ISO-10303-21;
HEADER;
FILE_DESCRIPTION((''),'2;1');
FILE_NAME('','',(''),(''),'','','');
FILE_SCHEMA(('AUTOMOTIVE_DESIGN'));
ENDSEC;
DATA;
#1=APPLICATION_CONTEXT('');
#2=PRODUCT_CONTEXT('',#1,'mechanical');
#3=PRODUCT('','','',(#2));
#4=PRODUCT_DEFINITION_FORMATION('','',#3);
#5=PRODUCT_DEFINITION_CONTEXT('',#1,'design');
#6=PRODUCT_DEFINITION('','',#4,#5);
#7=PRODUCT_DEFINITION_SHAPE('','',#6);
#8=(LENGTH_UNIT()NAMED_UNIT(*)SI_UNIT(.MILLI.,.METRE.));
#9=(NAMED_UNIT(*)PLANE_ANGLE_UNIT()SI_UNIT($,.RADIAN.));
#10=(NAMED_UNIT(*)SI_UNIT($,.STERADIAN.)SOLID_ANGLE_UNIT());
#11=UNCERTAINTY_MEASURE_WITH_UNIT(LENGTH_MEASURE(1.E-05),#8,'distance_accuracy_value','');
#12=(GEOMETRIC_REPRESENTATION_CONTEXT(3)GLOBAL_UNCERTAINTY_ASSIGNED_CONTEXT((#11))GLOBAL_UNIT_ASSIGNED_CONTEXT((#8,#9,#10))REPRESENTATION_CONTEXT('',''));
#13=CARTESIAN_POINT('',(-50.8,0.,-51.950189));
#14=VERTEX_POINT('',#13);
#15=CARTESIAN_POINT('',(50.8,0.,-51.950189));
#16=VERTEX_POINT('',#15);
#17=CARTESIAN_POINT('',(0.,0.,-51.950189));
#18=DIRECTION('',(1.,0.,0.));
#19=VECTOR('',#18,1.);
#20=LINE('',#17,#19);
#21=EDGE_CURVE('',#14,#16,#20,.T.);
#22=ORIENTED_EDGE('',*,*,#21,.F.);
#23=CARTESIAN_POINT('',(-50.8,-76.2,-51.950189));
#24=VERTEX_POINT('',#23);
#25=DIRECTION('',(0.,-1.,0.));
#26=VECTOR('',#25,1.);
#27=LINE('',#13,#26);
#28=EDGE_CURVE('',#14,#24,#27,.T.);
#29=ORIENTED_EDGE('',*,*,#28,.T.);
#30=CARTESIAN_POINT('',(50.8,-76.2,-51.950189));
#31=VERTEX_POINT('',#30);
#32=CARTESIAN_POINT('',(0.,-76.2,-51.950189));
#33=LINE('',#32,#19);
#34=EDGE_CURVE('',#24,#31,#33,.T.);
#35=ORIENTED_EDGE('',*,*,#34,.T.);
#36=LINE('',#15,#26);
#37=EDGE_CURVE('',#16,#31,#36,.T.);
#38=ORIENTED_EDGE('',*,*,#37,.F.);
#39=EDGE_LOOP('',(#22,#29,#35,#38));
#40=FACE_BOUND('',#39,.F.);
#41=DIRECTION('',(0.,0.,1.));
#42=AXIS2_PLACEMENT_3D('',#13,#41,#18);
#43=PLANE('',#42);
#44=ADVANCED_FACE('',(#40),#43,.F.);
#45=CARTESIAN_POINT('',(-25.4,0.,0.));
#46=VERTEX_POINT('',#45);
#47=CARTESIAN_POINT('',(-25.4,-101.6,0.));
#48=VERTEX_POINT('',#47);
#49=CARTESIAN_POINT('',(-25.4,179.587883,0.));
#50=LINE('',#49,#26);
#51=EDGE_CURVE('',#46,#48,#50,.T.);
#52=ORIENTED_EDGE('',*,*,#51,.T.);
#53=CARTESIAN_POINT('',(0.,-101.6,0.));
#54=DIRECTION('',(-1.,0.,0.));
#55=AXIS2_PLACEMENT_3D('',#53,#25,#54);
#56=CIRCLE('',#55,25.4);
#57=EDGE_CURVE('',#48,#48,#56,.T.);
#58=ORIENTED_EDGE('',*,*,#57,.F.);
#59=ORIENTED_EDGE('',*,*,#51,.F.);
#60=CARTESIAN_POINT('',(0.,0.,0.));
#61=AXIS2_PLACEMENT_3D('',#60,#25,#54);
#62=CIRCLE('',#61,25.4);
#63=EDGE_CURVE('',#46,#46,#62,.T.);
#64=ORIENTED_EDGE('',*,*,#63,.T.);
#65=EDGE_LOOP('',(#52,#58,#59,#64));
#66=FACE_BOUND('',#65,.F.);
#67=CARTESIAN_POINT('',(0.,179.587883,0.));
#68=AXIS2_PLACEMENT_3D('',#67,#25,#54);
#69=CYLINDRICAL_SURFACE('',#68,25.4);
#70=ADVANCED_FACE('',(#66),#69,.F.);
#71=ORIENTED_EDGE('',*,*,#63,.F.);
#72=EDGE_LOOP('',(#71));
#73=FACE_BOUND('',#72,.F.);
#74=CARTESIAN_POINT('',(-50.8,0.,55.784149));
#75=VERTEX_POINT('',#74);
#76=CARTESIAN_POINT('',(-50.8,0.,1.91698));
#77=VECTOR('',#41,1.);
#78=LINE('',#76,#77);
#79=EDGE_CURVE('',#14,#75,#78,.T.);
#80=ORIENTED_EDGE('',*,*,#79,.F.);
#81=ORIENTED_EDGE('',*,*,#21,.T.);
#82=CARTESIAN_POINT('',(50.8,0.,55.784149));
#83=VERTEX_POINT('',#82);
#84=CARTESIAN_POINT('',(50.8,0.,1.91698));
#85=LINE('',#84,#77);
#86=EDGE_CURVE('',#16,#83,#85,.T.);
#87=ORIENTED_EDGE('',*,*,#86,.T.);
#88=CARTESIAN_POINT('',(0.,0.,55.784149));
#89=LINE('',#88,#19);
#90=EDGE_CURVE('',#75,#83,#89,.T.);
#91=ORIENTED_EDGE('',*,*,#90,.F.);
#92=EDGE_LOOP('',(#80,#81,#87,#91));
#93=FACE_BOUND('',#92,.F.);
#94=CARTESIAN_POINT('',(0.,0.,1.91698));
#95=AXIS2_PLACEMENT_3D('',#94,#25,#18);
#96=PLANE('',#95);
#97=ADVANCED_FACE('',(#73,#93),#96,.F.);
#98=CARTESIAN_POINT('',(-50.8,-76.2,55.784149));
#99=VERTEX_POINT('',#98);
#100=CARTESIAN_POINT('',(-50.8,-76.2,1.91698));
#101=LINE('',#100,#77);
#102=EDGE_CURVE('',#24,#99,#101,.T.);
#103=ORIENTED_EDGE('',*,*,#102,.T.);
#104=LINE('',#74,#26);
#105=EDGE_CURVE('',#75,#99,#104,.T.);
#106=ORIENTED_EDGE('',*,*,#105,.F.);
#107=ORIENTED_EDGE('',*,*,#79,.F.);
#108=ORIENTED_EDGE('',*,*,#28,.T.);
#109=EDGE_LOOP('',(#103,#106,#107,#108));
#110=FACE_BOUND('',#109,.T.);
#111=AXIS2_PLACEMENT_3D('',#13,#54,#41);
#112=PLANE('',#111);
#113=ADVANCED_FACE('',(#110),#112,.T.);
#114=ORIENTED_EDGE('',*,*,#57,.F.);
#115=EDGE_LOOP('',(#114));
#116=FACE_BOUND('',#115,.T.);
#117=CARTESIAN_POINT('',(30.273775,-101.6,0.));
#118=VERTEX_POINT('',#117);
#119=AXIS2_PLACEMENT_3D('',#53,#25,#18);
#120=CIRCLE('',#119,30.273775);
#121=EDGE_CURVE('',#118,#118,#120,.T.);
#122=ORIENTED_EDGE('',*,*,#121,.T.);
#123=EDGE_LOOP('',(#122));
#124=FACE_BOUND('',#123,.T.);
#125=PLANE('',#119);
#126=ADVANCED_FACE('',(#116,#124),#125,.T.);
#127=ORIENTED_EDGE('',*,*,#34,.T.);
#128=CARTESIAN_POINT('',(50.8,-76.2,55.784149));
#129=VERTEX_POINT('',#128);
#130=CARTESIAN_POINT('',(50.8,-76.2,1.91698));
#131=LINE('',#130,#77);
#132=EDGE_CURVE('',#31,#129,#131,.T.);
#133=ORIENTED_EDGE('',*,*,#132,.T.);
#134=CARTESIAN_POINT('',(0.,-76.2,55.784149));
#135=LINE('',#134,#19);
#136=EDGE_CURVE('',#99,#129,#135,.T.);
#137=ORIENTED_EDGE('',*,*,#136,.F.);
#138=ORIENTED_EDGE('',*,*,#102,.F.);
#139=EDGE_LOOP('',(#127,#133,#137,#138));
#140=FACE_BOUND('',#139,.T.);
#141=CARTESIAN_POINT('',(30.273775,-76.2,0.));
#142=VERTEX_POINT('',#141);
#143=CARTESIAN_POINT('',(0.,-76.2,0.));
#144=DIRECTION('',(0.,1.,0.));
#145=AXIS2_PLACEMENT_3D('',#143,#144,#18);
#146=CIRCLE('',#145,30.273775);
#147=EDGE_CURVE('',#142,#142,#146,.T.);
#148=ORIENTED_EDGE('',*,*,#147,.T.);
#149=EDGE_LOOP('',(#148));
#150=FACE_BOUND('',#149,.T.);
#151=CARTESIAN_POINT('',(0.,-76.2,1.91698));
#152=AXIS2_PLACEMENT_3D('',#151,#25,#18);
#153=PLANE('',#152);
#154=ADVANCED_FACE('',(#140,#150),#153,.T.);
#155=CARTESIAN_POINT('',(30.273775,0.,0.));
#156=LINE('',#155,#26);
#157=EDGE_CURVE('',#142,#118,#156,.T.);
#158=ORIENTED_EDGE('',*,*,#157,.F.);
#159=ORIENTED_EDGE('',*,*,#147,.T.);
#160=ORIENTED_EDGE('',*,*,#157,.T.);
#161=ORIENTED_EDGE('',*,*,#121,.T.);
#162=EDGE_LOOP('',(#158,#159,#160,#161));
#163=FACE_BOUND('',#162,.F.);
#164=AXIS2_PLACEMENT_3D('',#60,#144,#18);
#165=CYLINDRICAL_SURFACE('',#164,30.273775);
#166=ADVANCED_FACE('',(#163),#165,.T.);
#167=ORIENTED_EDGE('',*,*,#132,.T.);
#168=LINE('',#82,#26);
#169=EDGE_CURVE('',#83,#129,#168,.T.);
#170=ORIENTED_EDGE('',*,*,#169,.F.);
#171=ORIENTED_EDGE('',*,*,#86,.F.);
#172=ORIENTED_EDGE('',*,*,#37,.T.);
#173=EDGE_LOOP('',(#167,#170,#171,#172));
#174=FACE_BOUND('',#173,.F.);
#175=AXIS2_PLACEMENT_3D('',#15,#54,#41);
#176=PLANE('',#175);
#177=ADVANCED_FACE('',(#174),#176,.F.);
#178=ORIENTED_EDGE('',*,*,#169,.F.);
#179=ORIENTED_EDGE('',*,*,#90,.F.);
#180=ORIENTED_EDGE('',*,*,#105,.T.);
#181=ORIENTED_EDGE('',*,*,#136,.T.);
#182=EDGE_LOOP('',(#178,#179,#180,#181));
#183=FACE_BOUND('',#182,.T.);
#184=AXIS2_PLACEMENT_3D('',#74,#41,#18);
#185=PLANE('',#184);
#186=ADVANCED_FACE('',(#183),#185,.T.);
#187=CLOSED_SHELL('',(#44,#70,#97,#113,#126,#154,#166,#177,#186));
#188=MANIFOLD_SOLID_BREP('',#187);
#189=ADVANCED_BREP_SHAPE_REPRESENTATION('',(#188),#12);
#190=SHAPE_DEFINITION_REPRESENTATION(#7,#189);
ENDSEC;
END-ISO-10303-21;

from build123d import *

# Parameters (mm, degrees)
F0_W     = 101.6
F0_H     = 107.734338
F0_R     = 24.735745
F2_DEPTH = 76.2
F1_R     = 30.273775
F3_DEPTH = 101.6
F5_D     = 50.8


with BuildPart() as f2:
    # F0 (on Front) → F2 (new body)
    with BuildSketch(Plane.XZ):
        with Locations((0, 1.91698)):
            Rectangle(F0_W, F0_H)
        Circle(F0_R, mode=Mode.SUBTRACT)
    extrude(amount=F2_DEPTH)

    # F1 (on Front) → F3 (join)
    with BuildSketch(Plane.XZ):
        Circle(F1_R)
    extrude(amount=F3_DEPTH)

    # F5 (through all)
    with Locations(Plane(origin=(0, 0, 0), x_dir=(1, 0, 0), z_dir=(0, 1, 0))):
        with Locations((0, 0)):
            Hole(F5_D / 2)


solid = f2.part
